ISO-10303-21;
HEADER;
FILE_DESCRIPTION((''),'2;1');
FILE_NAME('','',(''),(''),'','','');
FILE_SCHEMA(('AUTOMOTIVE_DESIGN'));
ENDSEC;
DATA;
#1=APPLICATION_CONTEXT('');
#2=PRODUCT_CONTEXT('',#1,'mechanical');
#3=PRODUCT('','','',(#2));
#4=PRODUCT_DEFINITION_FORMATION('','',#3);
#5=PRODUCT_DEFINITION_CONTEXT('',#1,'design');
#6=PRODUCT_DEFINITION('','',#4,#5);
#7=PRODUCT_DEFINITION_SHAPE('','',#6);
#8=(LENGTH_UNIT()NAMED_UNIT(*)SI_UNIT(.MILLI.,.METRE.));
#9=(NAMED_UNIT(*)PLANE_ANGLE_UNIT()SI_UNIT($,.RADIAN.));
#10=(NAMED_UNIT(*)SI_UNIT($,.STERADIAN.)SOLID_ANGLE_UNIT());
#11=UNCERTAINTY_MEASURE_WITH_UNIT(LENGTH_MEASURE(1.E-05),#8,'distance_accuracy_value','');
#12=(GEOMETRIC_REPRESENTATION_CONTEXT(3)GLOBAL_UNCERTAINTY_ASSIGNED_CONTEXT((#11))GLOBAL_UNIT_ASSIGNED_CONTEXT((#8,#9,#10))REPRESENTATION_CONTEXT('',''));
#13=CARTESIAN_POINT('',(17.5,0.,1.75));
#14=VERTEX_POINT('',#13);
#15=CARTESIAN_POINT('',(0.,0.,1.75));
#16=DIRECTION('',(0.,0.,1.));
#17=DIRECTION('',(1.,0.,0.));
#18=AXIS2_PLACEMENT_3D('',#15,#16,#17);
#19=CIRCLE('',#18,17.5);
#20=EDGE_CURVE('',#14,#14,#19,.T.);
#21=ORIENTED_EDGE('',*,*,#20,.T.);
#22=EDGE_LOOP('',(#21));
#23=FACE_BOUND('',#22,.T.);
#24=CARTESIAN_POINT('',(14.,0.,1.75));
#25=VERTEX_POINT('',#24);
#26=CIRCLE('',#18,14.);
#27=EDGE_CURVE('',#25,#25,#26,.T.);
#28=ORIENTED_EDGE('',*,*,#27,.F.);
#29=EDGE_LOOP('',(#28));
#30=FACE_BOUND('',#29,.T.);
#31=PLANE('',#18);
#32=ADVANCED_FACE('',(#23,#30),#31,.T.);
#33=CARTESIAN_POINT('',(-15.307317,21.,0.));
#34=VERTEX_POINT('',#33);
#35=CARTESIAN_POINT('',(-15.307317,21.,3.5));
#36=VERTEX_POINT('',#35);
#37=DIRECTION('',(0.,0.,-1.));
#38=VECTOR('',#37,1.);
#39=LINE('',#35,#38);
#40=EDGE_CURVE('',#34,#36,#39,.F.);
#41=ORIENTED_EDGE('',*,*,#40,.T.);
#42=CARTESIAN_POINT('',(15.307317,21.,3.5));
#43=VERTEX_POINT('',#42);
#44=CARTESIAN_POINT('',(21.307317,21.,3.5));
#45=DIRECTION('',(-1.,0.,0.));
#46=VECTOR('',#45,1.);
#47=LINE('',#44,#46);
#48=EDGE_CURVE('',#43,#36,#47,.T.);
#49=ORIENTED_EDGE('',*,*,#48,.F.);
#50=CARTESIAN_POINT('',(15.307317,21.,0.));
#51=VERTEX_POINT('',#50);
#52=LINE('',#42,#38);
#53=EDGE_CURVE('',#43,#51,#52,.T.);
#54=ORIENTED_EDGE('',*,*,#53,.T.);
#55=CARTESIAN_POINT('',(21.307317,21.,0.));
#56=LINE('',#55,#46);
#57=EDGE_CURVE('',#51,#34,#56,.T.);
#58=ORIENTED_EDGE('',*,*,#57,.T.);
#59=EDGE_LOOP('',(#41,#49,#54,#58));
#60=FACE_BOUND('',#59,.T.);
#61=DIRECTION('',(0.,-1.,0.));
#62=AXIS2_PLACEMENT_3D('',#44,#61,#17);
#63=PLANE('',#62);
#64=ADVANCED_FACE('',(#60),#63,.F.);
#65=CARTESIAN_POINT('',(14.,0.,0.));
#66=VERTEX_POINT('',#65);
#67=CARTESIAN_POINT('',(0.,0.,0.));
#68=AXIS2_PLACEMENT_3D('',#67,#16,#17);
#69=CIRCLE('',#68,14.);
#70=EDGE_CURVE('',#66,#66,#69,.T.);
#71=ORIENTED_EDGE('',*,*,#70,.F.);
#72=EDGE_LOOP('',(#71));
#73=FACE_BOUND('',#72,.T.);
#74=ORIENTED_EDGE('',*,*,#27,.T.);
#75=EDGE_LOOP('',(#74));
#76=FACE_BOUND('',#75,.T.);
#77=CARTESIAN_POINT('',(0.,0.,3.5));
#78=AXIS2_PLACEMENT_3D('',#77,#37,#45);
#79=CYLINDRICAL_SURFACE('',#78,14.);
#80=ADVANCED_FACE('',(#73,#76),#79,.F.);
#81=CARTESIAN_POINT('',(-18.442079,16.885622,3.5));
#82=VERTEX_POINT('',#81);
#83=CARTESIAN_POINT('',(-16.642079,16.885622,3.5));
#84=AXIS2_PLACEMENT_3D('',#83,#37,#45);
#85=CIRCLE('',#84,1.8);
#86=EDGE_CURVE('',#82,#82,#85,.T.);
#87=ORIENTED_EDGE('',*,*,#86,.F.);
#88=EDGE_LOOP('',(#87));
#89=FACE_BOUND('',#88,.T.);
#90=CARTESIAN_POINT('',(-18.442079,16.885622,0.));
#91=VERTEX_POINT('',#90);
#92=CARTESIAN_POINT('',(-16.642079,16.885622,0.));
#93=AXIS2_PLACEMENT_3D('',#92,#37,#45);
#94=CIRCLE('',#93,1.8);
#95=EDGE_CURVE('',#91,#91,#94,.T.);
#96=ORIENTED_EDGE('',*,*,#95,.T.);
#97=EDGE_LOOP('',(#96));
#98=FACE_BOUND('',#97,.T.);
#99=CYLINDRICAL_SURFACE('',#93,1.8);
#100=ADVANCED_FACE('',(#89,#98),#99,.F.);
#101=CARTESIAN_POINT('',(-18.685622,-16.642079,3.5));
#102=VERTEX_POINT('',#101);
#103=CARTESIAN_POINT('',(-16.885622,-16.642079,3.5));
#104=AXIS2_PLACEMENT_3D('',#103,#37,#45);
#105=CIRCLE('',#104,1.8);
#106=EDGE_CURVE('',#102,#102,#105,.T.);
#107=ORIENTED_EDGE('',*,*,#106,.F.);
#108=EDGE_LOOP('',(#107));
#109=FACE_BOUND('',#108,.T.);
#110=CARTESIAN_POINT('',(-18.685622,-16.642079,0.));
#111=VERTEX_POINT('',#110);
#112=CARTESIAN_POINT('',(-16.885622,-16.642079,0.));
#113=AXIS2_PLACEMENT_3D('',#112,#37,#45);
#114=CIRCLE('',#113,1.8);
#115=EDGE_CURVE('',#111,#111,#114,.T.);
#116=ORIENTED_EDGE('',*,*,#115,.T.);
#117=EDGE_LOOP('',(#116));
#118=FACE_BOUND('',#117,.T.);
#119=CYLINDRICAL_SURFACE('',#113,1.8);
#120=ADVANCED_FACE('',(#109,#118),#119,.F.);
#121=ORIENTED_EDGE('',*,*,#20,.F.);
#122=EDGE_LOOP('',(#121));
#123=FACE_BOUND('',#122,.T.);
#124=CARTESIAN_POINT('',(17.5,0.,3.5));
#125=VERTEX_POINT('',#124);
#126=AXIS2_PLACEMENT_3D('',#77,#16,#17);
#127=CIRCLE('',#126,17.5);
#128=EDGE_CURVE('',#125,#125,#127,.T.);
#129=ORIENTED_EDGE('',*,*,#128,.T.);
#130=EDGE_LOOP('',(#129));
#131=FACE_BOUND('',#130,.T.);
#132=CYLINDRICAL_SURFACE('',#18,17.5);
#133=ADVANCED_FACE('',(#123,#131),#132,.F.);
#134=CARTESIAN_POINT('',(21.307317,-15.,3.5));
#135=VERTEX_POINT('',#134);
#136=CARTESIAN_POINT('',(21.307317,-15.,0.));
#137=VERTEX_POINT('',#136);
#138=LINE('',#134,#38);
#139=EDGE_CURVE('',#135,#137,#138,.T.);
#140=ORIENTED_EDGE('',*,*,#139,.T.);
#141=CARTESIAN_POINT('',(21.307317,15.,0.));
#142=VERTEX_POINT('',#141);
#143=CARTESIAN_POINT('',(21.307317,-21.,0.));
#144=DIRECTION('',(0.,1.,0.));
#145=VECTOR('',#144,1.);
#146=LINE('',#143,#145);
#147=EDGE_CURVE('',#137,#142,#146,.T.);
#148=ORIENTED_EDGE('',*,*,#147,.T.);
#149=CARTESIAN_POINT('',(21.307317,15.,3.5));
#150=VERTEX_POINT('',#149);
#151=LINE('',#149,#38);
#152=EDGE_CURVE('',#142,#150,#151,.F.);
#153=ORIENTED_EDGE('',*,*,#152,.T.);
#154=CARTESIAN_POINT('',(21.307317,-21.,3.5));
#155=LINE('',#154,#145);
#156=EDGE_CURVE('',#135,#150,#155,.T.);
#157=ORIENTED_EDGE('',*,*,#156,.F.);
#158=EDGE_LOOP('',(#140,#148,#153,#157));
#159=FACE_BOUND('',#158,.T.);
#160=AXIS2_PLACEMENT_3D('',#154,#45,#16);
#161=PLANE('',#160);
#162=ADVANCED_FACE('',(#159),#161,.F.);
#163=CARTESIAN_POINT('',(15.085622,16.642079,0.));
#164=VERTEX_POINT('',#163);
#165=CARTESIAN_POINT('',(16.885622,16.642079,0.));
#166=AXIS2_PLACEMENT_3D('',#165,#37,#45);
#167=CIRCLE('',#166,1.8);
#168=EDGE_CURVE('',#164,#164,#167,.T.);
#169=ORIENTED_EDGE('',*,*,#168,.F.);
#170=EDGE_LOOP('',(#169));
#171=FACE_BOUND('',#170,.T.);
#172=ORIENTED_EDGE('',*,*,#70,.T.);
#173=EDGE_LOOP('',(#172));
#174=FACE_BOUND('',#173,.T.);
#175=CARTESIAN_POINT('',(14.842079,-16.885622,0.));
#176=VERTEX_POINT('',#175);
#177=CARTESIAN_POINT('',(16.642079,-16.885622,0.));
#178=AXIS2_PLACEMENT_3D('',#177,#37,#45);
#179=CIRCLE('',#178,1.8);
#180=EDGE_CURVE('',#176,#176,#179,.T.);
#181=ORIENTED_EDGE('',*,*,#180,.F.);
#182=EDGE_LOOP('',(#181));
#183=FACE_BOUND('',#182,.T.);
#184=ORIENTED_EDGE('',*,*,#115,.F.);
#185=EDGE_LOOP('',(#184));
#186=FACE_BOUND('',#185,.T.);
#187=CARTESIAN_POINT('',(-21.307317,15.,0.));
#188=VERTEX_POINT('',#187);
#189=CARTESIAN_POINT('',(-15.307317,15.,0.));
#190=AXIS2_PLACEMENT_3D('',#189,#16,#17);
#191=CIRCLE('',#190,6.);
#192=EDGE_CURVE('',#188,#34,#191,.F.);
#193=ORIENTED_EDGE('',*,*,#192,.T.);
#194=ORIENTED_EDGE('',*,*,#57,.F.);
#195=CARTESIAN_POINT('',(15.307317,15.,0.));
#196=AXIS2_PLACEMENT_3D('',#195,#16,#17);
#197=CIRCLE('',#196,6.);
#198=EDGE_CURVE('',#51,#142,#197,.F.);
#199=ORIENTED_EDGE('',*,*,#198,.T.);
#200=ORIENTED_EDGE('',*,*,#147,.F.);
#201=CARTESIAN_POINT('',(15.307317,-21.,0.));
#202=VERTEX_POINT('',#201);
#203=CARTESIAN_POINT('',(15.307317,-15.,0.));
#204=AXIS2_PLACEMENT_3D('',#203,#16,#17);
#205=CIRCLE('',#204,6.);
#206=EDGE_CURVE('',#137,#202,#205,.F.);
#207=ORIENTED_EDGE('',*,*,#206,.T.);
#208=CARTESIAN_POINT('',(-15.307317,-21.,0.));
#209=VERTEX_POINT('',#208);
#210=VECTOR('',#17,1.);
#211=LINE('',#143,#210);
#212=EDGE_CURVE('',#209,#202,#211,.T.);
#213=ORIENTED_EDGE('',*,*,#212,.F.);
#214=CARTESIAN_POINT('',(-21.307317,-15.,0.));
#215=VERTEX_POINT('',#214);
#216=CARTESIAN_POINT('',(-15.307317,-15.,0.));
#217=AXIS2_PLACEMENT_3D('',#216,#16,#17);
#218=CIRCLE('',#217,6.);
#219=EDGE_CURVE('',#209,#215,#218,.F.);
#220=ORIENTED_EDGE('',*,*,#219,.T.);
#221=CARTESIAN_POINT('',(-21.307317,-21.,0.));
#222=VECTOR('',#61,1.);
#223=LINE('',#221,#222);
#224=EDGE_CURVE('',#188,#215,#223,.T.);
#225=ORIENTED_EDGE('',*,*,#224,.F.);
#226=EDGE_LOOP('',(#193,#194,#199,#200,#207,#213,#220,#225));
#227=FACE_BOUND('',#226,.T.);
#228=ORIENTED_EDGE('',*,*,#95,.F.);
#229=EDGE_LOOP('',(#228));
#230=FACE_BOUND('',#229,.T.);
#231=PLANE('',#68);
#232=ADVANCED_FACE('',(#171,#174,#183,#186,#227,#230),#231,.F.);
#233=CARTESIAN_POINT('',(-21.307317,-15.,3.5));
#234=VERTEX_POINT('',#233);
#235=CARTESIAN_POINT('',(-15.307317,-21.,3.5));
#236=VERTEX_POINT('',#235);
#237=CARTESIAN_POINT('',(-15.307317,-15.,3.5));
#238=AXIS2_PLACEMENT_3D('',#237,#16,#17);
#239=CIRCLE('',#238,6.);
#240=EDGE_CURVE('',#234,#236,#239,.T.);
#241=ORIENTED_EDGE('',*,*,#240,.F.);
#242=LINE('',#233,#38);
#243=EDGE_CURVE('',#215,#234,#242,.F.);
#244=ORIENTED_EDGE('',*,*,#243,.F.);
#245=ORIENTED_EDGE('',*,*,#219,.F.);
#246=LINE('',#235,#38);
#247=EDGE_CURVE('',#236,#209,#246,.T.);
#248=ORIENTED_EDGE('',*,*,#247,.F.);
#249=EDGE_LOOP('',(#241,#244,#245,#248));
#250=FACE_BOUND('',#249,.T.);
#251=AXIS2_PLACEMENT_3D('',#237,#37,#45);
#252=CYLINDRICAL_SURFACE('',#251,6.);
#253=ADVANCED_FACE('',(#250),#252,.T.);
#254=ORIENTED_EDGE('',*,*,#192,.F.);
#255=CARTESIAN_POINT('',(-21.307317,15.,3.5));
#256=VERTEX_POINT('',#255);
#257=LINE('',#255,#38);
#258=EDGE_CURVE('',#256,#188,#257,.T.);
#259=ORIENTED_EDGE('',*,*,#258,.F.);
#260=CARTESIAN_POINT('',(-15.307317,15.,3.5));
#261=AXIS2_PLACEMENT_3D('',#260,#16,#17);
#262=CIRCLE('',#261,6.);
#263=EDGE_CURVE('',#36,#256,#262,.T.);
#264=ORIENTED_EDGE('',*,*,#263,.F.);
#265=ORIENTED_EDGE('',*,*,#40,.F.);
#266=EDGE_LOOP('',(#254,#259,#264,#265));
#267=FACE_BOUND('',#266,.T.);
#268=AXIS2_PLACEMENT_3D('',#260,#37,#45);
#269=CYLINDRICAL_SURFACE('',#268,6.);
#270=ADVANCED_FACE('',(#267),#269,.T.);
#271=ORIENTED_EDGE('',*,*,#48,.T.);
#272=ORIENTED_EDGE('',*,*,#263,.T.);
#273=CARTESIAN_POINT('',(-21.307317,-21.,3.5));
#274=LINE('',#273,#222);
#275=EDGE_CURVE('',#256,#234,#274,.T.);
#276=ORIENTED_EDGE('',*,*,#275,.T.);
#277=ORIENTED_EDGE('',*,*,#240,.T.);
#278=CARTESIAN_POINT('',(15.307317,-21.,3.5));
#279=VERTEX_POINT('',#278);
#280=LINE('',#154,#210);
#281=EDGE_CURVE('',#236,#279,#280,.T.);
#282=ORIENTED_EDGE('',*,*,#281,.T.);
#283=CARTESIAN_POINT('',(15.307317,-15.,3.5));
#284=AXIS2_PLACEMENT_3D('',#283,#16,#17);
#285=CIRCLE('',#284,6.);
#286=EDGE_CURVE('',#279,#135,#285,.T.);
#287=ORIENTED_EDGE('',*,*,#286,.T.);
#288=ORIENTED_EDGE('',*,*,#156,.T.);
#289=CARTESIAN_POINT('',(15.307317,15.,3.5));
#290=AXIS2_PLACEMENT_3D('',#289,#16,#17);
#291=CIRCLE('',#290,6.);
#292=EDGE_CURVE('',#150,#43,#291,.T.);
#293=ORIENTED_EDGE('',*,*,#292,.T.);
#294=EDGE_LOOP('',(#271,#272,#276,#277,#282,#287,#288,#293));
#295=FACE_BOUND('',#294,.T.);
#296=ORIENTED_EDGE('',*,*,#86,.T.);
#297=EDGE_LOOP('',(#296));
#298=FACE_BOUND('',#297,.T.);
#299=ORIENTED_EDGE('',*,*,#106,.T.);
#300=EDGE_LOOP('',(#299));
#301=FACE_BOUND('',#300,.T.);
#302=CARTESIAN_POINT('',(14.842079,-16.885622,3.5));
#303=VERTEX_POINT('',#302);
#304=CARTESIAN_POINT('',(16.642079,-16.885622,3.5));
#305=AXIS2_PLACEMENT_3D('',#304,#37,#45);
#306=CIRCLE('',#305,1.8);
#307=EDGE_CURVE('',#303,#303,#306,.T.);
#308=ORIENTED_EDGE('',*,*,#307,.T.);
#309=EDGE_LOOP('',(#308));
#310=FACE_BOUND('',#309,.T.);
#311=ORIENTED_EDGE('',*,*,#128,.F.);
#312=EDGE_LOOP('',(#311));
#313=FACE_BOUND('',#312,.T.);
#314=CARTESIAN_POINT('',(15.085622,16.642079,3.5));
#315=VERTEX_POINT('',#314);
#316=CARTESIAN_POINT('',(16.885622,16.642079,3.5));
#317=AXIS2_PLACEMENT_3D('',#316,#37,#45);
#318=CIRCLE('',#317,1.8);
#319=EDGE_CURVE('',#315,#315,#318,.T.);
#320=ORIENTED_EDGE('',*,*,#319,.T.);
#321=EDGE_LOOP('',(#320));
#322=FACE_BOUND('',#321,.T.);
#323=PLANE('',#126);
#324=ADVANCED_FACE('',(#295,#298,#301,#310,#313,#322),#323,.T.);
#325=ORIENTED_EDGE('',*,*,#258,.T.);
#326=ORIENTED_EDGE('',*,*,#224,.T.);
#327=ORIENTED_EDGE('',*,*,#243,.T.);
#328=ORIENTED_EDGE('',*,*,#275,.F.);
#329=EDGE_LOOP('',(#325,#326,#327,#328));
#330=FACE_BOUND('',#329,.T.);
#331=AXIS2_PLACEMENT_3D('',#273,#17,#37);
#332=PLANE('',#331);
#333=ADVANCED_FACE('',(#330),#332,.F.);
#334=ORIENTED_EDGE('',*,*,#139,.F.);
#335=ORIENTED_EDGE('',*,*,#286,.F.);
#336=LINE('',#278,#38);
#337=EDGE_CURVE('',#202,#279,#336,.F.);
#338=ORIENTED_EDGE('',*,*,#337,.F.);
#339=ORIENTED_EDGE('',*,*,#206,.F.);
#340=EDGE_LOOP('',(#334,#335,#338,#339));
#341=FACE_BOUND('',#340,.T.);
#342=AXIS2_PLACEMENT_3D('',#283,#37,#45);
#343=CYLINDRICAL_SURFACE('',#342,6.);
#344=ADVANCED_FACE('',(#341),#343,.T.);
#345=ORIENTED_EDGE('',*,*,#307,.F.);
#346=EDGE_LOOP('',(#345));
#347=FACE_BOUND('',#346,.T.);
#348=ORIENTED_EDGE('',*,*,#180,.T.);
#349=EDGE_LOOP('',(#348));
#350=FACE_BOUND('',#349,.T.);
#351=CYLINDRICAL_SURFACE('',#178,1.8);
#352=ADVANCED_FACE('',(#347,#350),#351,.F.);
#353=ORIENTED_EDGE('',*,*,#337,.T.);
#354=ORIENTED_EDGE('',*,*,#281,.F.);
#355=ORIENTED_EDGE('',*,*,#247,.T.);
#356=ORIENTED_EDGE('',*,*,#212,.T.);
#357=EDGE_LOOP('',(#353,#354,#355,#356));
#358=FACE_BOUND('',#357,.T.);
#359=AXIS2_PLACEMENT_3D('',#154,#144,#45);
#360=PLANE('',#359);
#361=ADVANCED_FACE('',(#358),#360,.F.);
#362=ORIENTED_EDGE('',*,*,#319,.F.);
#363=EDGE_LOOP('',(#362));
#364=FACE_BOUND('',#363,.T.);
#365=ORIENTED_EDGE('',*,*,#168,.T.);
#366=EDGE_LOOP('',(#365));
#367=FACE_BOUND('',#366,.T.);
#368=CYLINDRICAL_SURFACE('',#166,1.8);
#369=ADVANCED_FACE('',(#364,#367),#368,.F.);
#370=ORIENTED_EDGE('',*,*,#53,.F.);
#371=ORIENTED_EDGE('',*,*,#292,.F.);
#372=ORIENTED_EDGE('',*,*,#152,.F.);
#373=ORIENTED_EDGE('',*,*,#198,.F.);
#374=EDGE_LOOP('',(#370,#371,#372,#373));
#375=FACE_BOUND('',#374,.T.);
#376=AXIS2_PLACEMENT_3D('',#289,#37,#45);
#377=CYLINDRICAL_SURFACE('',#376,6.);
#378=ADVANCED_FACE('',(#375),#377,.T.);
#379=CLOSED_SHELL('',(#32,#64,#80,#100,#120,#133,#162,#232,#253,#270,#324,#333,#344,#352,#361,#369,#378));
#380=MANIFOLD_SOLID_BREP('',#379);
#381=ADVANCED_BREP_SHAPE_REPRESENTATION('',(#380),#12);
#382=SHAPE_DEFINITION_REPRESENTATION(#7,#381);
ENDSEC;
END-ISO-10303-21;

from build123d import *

# Parameters (mm, degrees)
SKETCH1_W            = 42.614634146
SKETCH1_H            = 42
SKETCH1_R            = 14
BOSS_EXTRUDE1_DEPTH  = 3.5
SKETCH2_R            = 17.5
CUT_EXTRUDE1_DEPTH   = 1.75
M3_CLEARANCE_HOLE1_D = 3.6
FILLET1_R            = 6


with BuildPart() as part:
    # Sketch1 → Boss-Extrude1 (new body)
    with BuildSketch(Plane.XY):
        Rectangle(SKETCH1_W, SKETCH1_H)
        Circle(SKETCH1_R, mode=Mode.SUBTRACT)
    extrude(amount=BOSS_EXTRUDE1_DEPTH)

    # Sketch2 → Cut-Extrude1 (cut)
    with BuildSketch(Plane.XY.offset(3.5)):
        Circle(SKETCH2_R)
    extrude(amount=-CUT_EXTRUDE1_DEPTH, mode=Mode.SUBTRACT)

    # M3 Clearance Hole1 (through all)
    with Locations(Plane(origin=(0, 0, 0), x_dir=(-1, 0, 0), z_dir=(0, 0, -1))):
        with Locations((-16.642079068, -16.885621688), (-16.885621688, 16.642079068), (16.642079068, 16.885621688), (16.885621688, -16.642079068)):
            Hole(M3_CLEARANCE_HOLE1_D / 2)

    # Fillet1
    fillet1_edges = [part.edges().sort_by_distance(p)[0] for p in [
        (-21.307317073, 21, 1.75),
        (21.307317073, 21, 1.75),
        (21.307317073, -21, 1.75),
        (-21.307317073, -21, 1.75),
    ]]
    fillet(fillet1_edges, radius=FILLET1_R)


solid = part.part
